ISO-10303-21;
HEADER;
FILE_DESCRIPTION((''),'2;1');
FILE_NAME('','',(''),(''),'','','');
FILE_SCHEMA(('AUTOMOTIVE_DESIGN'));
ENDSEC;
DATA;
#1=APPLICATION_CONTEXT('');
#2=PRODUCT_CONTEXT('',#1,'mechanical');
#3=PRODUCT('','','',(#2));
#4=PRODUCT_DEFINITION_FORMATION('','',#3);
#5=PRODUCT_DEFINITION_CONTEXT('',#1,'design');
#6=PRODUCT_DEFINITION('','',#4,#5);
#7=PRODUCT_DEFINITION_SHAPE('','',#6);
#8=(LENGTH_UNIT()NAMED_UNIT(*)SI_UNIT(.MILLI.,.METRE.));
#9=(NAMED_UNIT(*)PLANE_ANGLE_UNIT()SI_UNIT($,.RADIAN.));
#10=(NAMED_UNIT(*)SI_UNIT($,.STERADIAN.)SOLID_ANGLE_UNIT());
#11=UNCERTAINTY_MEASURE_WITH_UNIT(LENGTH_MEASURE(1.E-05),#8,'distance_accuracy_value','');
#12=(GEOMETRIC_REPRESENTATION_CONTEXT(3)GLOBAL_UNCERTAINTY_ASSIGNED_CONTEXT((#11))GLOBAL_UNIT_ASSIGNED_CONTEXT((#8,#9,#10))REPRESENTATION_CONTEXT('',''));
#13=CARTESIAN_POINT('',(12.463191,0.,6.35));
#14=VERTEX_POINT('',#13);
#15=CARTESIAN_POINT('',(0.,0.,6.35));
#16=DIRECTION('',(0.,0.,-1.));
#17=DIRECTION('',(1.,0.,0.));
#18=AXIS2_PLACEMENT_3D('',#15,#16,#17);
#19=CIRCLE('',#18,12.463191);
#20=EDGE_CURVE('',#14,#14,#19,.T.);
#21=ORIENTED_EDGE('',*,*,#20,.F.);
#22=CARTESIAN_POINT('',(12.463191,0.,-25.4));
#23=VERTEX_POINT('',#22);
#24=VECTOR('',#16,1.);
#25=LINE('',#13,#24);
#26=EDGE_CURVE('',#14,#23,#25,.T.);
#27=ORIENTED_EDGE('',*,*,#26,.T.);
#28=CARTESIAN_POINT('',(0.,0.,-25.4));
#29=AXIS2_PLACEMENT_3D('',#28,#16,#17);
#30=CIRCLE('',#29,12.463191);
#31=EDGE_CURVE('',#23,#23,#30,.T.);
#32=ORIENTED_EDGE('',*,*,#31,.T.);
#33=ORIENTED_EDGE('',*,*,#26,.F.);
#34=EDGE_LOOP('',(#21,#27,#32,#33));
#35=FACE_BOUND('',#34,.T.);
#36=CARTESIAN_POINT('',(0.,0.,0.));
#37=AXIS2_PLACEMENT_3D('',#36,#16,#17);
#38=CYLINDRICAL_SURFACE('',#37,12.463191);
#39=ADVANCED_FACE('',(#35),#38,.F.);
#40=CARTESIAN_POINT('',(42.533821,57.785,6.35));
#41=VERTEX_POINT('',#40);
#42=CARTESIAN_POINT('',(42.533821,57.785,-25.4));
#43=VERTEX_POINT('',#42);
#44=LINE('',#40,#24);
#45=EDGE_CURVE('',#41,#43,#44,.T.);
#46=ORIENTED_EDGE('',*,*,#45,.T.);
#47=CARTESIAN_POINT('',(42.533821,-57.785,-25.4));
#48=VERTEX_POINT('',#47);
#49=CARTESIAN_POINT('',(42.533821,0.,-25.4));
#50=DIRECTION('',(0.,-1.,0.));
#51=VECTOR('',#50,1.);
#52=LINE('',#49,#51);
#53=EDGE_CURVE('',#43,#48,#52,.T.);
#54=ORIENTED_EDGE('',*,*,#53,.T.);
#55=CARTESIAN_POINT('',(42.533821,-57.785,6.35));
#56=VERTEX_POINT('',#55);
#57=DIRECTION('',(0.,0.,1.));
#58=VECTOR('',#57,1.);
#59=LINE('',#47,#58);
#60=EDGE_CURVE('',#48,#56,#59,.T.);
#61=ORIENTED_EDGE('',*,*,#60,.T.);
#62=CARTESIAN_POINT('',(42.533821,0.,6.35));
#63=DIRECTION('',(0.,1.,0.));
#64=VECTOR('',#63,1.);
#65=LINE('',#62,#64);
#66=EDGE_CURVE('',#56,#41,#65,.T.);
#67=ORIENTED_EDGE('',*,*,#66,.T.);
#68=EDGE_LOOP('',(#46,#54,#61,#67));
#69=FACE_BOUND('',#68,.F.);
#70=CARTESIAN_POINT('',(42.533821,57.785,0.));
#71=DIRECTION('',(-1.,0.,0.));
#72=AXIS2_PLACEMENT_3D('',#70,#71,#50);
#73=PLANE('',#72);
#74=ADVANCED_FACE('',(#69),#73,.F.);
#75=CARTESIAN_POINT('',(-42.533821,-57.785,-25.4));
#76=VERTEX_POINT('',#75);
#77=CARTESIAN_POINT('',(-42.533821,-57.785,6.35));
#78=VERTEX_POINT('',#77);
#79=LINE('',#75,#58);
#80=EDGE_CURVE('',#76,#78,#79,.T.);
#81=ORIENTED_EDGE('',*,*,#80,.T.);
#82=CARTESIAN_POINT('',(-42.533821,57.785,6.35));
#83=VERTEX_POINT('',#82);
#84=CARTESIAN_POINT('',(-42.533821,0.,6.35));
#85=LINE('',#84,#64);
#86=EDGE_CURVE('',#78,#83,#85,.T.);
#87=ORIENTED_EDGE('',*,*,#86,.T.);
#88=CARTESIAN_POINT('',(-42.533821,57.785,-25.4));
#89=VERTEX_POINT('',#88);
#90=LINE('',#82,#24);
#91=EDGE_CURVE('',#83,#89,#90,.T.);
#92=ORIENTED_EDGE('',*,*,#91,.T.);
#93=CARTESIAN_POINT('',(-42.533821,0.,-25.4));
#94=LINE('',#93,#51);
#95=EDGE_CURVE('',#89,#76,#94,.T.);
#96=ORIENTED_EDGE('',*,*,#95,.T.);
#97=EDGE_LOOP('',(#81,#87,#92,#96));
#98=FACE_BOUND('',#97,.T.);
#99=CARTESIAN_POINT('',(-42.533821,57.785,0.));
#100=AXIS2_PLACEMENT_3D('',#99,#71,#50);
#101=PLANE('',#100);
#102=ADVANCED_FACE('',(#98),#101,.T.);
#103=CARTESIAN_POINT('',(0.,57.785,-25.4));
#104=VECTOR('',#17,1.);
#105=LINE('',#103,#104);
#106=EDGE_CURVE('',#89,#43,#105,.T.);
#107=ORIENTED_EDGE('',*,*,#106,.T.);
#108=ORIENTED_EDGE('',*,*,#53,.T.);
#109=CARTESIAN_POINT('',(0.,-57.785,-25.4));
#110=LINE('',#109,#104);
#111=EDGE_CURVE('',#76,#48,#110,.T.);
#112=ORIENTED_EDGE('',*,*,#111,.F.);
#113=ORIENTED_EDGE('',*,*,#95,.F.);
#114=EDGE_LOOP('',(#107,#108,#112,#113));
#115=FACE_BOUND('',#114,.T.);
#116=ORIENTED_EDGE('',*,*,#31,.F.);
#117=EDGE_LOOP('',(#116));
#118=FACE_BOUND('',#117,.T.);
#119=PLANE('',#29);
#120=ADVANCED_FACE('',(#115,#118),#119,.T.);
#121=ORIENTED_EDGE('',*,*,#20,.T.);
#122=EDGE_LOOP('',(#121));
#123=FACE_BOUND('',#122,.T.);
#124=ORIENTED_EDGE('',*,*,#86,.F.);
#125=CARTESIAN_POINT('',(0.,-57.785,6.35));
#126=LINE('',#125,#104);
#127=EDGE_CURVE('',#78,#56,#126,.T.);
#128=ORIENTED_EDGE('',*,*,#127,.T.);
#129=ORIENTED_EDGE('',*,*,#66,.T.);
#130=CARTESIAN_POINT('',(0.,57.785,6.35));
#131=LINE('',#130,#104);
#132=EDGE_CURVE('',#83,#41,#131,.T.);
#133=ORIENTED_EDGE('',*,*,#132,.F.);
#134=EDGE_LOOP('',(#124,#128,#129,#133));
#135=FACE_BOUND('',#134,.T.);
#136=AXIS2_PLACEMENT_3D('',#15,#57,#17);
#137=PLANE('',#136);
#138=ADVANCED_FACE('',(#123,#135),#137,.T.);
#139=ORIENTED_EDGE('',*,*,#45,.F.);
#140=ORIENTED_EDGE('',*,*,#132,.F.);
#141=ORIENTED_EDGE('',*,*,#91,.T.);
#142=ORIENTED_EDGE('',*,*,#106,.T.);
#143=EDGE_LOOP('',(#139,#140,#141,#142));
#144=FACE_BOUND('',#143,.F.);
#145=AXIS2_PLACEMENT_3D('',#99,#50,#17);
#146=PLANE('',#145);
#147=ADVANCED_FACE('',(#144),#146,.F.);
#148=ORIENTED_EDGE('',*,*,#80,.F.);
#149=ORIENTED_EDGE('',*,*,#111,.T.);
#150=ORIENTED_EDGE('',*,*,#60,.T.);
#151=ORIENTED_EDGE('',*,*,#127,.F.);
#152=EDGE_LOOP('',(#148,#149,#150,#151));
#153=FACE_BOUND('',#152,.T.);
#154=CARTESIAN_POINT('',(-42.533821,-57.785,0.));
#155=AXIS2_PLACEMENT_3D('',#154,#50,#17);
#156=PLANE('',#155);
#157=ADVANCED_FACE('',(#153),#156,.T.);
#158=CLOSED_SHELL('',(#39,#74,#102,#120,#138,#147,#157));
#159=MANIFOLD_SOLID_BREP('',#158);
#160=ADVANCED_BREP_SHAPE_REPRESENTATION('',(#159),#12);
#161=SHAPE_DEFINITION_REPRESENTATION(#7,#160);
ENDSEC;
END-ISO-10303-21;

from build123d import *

# Parameters (mm, degrees)
F0_W       = 85.0676417184
F0_H       = 115.57
F1_DEPTH   = 6.35
F2_R       = 12.4631910905
F3_DEPTH   = 6.351
F1_FACE1_W = 85.0676417184
F1_FACE1_H = 115.57
F1_FACE1_R = 12.4631910905
F4_W       = 85.0676417184
F4_H       = 115.57
F4_R       = 12.4631910905
F4_R_2     = 12.0047888383
F5_DEPTH   = 25.4


with BuildPart() as f1:
    # F0 (on Top) → F1 (new body)
    with BuildSketch(Plane.XY):
        Rectangle(F0_W, F0_H)
    extrude(amount=F1_DEPTH)

    # F2 (on Top) → F3 (cut, through all)
    with BuildSketch(Plane.XY):
        Circle(F2_R)
    extrude(amount=F3_DEPTH, mode=Mode.SUBTRACT)

    # F1_face1 (on face) + F4 (on face) → F5 (join)
    with BuildSketch(Plane(origin=(0, 0, 0), x_dir=(1, 0, 0), z_dir=(0, 0, -1))):
        Rectangle(F1_FACE1_W, F1_FACE1_H)
        Circle(F1_FACE1_R, mode=Mode.SUBTRACT)
    with BuildSketch(Plane.XY.offset(6.35)):
        Rectangle(F4_W, F4_H)
        Circle(F4_R, mode=Mode.SUBTRACT)
        with Locations((30.233990401, 0)):
            Circle(F4_R_2, mode=Mode.SUBTRACT)
    extrude(amount=F5_DEPTH, dir=(0, 0, -1))


solid = f1.part
